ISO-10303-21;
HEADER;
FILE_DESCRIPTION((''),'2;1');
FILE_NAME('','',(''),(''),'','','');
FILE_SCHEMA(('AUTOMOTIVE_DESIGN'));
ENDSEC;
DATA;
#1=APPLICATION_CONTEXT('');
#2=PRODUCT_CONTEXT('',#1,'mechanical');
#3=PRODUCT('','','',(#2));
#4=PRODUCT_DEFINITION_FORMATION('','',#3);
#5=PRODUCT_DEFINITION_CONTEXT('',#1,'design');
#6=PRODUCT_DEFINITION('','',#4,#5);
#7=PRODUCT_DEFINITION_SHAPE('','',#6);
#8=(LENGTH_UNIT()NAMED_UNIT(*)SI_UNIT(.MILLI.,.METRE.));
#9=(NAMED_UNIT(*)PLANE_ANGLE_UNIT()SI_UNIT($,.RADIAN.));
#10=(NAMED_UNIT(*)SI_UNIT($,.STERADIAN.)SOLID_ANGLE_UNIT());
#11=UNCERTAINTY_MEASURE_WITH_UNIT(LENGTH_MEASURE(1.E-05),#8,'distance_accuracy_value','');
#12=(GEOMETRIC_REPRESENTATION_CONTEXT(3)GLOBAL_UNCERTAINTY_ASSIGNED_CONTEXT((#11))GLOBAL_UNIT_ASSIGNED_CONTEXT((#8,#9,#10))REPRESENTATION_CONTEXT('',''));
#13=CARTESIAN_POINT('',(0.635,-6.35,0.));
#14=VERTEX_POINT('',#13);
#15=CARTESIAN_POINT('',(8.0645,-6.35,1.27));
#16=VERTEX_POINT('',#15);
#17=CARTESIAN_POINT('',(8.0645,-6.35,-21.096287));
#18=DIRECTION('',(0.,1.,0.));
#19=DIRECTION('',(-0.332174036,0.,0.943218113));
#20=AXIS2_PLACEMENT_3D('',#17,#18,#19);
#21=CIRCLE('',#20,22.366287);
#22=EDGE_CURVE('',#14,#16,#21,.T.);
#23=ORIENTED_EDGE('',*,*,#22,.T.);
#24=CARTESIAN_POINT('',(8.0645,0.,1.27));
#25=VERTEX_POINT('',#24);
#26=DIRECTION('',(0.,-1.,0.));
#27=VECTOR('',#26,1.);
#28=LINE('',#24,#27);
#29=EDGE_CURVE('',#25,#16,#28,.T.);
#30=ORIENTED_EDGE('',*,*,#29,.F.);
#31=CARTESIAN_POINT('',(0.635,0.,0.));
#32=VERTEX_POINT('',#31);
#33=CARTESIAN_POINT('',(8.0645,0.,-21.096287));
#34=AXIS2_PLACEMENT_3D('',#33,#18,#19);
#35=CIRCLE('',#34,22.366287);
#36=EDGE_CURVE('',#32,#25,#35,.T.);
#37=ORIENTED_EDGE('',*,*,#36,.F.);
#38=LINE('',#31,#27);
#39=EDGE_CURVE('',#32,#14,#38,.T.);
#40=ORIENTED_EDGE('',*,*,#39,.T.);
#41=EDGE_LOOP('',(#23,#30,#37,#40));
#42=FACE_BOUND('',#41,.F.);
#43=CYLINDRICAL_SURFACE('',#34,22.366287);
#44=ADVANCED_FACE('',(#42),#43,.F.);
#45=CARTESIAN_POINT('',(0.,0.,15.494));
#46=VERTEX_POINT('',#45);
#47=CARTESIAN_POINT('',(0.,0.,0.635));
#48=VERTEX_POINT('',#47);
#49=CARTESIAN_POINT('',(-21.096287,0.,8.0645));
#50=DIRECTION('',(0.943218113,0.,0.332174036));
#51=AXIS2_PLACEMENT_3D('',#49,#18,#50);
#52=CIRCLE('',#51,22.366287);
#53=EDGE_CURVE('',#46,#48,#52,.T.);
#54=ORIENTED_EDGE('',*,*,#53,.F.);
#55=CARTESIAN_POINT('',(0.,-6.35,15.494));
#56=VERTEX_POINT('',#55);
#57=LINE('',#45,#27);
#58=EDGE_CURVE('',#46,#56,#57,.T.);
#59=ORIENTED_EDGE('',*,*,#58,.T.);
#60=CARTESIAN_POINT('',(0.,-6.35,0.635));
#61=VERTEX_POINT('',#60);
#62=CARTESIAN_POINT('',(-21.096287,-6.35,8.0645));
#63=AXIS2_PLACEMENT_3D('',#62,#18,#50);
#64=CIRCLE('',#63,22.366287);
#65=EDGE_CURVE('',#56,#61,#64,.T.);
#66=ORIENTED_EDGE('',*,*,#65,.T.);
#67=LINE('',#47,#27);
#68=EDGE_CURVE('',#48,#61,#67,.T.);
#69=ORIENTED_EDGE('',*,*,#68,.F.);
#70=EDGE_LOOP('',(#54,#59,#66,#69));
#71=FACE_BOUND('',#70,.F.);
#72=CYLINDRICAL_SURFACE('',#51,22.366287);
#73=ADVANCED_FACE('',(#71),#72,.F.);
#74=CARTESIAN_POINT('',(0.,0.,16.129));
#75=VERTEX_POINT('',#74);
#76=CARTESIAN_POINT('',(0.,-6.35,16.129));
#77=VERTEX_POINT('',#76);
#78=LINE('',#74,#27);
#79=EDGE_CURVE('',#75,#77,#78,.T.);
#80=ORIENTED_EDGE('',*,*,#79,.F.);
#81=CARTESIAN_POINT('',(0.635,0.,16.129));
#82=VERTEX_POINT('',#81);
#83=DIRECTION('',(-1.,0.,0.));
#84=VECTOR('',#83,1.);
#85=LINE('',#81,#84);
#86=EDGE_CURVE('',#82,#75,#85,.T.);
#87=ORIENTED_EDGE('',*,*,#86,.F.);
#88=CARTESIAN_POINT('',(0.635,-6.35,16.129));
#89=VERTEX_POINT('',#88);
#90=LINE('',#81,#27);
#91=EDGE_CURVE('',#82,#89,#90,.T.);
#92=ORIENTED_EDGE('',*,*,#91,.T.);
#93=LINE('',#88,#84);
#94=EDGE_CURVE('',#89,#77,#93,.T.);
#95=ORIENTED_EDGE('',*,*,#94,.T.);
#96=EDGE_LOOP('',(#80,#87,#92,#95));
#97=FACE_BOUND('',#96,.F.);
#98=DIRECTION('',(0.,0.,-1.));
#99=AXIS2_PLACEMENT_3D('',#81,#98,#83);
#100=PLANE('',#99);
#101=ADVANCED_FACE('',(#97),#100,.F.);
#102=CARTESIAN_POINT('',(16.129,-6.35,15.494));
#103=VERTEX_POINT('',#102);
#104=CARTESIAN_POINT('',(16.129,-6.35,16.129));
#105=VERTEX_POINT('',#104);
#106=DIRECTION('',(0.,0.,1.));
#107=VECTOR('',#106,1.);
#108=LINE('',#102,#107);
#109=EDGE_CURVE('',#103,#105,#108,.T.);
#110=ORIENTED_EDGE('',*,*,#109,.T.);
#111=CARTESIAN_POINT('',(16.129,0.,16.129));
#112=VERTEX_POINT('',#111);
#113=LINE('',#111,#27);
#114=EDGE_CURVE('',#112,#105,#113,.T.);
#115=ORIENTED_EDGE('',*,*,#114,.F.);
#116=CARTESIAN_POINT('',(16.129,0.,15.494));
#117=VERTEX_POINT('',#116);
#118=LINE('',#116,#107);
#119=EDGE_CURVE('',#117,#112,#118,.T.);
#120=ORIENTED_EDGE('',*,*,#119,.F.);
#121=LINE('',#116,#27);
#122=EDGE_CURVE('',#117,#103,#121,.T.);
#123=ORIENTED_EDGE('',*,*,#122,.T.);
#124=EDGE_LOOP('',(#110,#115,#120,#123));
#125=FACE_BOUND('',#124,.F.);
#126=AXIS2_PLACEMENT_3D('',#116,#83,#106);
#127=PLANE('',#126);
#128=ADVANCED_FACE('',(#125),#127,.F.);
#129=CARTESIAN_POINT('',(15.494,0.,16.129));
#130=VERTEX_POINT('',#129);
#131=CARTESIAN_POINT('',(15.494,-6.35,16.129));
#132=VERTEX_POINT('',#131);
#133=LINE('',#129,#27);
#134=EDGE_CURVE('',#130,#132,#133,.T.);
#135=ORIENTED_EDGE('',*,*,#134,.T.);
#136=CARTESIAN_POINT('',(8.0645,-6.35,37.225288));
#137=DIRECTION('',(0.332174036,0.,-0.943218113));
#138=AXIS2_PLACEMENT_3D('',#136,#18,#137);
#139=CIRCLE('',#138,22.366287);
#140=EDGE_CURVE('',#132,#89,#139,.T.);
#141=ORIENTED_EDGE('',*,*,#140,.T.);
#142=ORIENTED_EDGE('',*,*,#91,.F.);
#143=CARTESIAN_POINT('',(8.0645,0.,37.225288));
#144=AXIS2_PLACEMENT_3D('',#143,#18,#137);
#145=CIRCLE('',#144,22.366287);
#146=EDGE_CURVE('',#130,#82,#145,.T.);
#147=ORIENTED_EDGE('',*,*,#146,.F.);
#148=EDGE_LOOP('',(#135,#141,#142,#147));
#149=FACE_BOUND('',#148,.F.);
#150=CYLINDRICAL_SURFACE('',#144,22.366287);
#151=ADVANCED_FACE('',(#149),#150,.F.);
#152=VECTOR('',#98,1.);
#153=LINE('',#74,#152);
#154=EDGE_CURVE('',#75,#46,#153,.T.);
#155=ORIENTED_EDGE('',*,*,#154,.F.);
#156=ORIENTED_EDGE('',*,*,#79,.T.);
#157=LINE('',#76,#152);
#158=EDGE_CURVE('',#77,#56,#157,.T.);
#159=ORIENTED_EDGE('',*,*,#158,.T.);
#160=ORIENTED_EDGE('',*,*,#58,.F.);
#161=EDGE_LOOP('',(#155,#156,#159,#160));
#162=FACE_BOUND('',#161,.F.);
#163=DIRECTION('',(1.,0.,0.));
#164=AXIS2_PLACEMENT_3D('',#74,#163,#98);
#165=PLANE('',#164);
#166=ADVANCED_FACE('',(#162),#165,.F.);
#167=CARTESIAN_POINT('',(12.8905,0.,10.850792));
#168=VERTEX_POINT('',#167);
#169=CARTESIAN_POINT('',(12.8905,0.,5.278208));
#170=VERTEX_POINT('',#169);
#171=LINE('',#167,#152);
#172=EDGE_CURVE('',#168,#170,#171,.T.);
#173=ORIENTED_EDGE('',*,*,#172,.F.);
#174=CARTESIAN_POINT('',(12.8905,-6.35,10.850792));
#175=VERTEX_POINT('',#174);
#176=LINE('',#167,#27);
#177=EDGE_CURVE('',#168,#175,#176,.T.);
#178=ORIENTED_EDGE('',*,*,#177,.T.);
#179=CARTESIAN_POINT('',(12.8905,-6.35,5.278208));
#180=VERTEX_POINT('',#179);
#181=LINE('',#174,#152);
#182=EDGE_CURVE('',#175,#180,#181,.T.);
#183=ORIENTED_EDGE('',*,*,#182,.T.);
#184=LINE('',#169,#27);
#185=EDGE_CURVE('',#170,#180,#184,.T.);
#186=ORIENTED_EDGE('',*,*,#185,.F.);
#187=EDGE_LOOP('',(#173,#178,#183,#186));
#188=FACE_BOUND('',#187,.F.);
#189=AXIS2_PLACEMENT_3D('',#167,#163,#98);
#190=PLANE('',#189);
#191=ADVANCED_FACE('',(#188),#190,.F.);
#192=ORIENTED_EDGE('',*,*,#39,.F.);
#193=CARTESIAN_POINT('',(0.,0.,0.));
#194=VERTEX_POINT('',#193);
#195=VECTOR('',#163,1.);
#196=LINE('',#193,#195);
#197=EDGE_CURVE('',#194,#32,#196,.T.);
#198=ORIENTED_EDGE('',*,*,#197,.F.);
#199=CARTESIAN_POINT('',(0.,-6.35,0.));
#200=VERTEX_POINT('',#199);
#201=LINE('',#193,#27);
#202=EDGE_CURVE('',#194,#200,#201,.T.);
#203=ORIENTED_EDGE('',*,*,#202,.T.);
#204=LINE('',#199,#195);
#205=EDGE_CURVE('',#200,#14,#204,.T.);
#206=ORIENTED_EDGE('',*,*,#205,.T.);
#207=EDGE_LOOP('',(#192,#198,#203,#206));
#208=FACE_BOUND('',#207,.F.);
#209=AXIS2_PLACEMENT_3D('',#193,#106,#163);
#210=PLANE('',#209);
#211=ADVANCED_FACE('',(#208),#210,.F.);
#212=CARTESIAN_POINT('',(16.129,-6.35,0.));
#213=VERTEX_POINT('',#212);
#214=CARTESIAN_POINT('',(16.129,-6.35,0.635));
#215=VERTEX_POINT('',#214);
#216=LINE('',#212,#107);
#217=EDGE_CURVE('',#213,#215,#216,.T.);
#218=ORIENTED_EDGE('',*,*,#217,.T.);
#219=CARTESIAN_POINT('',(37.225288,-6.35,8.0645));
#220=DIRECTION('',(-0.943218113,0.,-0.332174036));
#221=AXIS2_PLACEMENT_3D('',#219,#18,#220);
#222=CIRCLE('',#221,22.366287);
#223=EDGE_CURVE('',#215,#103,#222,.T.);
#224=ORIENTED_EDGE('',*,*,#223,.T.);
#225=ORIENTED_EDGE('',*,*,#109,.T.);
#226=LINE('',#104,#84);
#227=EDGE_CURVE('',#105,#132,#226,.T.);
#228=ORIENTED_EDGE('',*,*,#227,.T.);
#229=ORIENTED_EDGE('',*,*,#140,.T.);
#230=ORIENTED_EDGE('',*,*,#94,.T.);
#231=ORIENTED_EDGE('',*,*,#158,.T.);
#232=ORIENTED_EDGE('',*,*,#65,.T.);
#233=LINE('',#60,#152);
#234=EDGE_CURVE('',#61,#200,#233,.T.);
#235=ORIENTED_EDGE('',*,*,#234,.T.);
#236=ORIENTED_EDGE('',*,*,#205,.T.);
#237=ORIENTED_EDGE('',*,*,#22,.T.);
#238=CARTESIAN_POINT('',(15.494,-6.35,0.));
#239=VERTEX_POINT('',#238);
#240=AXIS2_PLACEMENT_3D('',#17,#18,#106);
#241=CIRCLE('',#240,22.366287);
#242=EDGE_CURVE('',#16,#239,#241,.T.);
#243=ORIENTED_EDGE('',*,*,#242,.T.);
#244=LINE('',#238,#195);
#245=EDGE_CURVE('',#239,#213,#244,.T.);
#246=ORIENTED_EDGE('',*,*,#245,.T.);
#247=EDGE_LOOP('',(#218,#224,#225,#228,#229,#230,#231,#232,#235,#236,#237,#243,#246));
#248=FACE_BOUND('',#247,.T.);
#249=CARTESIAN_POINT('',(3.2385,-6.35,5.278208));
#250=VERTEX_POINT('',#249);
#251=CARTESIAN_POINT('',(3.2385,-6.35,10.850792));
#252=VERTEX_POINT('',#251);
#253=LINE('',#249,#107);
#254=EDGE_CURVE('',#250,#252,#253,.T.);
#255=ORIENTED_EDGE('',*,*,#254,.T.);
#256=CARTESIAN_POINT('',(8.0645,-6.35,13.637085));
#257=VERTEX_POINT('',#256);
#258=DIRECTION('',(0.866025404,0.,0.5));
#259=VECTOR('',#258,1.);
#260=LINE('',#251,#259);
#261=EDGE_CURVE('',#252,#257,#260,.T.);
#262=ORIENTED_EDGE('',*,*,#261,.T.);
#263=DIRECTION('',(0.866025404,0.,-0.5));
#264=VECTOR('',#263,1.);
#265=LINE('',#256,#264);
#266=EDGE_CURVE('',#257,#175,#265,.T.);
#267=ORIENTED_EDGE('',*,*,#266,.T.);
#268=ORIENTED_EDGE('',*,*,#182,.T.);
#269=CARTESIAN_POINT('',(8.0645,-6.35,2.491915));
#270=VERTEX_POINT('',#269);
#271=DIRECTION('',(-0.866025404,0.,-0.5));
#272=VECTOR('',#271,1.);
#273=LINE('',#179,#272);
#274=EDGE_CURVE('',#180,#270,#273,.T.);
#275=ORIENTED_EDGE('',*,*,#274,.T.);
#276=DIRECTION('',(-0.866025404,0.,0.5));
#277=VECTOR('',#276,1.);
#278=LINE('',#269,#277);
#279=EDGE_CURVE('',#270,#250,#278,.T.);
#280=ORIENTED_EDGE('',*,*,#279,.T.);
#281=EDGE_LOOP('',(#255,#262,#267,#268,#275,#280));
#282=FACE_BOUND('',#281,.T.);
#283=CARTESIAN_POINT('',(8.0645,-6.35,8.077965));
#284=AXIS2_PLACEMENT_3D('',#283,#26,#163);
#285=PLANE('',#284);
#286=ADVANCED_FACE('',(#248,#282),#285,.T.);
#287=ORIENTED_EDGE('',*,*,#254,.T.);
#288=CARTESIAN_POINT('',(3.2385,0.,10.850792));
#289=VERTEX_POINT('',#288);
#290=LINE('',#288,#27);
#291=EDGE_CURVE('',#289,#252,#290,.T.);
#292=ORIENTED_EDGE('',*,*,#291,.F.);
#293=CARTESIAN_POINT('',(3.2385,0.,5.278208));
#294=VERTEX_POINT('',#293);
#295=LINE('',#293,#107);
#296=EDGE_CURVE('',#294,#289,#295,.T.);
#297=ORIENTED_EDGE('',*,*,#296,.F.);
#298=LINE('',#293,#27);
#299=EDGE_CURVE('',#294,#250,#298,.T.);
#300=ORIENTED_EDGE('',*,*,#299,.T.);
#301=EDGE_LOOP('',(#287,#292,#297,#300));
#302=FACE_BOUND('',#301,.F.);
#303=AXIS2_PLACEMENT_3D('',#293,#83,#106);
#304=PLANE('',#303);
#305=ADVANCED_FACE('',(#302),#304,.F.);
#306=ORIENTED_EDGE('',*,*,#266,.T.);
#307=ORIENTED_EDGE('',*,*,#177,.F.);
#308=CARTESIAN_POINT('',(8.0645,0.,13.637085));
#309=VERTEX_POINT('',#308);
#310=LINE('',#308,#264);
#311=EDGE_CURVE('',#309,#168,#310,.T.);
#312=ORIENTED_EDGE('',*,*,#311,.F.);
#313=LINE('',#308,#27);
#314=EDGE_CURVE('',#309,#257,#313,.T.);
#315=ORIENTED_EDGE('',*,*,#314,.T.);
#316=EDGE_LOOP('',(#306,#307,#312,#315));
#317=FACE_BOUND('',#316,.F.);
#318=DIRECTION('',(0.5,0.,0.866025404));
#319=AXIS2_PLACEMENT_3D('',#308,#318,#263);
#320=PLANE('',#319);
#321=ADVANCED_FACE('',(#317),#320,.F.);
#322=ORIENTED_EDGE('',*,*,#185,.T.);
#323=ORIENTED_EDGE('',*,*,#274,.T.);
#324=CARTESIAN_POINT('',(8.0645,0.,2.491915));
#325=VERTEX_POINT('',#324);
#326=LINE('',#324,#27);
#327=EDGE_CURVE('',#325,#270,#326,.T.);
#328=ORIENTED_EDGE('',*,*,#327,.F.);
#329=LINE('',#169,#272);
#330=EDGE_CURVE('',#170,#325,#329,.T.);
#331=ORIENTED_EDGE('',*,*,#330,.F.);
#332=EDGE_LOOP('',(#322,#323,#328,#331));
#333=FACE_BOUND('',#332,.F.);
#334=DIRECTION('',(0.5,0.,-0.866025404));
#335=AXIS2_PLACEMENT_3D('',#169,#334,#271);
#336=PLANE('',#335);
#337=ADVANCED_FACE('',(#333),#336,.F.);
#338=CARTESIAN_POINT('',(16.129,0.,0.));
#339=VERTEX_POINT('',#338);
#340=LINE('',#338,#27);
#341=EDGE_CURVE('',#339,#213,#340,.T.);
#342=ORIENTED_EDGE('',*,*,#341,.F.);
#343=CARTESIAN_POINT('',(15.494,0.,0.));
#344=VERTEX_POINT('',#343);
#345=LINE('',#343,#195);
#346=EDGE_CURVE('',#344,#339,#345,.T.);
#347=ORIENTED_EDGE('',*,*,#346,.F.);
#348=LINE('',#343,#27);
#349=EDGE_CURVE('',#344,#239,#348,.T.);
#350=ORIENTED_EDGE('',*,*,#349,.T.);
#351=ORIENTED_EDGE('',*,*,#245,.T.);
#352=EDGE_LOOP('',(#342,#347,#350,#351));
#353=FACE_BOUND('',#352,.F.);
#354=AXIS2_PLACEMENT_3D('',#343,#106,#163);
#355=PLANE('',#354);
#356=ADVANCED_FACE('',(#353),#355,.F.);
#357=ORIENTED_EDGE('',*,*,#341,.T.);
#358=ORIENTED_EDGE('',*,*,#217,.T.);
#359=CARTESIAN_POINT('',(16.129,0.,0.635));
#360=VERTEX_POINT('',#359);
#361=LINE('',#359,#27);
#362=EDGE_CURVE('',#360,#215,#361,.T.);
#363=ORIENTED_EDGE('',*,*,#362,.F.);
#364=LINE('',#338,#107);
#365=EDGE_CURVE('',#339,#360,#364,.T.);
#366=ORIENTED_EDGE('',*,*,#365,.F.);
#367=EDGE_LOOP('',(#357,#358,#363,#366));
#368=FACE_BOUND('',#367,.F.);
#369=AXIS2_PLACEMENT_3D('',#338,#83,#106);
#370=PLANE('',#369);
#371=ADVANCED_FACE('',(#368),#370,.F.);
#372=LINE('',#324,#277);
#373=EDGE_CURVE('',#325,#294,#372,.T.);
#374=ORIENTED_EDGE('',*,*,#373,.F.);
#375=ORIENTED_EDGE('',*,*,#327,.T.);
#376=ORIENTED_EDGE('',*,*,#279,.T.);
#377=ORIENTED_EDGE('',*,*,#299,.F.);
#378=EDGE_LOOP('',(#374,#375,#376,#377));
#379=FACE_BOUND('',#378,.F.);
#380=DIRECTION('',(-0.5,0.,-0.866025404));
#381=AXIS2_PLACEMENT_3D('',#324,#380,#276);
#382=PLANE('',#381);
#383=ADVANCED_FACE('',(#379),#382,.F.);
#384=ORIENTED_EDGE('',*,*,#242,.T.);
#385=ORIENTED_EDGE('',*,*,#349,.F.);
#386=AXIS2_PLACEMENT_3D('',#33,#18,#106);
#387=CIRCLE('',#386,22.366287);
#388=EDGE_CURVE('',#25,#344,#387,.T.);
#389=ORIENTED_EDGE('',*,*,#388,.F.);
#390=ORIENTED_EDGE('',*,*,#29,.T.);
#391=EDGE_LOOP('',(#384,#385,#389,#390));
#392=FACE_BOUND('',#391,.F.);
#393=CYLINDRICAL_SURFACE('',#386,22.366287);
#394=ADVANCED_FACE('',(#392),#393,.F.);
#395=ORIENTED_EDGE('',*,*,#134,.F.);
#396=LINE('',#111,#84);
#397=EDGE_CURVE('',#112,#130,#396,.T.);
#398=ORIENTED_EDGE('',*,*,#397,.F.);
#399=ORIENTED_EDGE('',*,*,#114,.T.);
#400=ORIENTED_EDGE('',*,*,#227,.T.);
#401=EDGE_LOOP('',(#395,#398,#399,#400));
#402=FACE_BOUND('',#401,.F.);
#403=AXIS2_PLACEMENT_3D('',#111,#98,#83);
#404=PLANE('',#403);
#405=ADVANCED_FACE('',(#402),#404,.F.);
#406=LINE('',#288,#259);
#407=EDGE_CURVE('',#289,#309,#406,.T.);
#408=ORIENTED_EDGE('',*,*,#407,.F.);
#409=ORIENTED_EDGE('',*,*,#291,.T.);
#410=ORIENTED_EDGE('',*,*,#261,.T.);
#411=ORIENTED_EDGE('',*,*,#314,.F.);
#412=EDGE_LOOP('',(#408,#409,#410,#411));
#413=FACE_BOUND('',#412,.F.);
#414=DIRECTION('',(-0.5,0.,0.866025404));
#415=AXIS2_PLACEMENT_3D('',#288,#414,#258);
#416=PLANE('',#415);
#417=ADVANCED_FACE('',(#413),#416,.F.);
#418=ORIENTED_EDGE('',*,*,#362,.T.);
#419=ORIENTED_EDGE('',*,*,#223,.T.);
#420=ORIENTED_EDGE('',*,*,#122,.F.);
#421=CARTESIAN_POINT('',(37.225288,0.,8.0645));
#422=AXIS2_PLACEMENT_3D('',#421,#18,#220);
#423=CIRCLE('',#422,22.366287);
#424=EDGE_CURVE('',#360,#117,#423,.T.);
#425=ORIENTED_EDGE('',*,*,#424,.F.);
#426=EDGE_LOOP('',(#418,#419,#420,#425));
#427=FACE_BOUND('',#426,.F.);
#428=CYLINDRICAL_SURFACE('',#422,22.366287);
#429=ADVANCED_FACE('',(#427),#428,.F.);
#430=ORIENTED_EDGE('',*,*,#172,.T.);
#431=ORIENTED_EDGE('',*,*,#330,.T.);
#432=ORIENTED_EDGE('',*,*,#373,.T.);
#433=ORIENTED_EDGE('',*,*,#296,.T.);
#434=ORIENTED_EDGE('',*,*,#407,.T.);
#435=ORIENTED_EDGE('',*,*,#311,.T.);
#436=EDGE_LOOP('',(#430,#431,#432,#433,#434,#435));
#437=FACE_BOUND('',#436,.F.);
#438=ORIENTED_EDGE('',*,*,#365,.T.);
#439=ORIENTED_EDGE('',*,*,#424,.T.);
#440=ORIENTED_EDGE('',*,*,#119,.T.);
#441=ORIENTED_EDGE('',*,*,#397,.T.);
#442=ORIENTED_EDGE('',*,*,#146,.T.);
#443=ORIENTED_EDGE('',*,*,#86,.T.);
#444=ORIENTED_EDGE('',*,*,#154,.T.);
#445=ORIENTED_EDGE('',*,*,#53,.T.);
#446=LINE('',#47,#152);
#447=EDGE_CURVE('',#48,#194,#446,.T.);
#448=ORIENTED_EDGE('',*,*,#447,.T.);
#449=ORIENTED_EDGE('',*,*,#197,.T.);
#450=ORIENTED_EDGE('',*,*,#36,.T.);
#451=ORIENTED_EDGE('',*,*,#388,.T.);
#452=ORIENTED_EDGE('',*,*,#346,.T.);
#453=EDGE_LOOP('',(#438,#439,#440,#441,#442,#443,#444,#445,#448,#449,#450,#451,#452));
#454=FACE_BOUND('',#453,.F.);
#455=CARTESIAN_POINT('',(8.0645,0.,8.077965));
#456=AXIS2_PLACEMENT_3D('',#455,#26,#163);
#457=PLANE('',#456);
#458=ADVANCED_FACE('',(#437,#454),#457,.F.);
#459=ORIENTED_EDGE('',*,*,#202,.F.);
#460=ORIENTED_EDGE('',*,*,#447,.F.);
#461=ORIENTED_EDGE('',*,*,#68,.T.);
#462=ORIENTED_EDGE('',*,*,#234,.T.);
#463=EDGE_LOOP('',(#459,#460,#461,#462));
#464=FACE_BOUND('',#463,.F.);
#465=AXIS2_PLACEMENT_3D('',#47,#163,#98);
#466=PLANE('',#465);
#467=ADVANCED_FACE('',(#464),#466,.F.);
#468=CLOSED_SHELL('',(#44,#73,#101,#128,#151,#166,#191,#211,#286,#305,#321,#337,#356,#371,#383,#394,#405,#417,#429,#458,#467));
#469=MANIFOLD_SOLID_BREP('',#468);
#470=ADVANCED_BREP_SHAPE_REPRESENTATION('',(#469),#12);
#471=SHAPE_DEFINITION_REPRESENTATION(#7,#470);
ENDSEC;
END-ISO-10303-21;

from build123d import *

# Parameters (mm, degrees)
F1_DEPTH = 6.35


with BuildPart() as f1:
    # F0 (on Front) → F1 (new body)
    with BuildSketch(Plane.XZ):
        with BuildLine():
            Line((16.129, 15.494), (16.129, 16.129))
            Line((16.129, 16.129), (15.494, 16.129))
            ThreePointArc((15.494, 16.129), (8.0645, 14.859), (0.635, 16.129))
            Line((0.635, 16.129), (0, 16.129))
            Line((0, 16.129), (0, 15.494))
            ThreePointArc((0, 15.494), (1.27, 8.0645), (0, 0.635))
            Line((0, 0.635), (0, 0))
            Line((0, 0), (0.635, 0))
            ThreePointArc((0.635, 0), (4.2958672821, 0.9502138998), (8.0645, 1.27))
            ThreePointArc((8.0645, 1.27), (11.8331327179, 0.9502138998), (15.494, 0))
            Line((15.494, 0), (16.129, 0))
            Line((16.129, 0), (16.129, 0.635))
            ThreePointArc((16.129, 0.635), (14.859, 8.0645), (16.129, 15.494))
        make_face()
        Polygon((8.0645, 13.6370847982), (12.8905, 10.8507923991), (12.8905, 8.0645), (12.8905, 5.2782076009), (8.0645, 2.4919152018), (3.2385, 5.2782076009), (3.2385, 10.8507923991), align=None, mode=Mode.SUBTRACT)
    extrude(amount=F1_DEPTH)


solid = f1.part
